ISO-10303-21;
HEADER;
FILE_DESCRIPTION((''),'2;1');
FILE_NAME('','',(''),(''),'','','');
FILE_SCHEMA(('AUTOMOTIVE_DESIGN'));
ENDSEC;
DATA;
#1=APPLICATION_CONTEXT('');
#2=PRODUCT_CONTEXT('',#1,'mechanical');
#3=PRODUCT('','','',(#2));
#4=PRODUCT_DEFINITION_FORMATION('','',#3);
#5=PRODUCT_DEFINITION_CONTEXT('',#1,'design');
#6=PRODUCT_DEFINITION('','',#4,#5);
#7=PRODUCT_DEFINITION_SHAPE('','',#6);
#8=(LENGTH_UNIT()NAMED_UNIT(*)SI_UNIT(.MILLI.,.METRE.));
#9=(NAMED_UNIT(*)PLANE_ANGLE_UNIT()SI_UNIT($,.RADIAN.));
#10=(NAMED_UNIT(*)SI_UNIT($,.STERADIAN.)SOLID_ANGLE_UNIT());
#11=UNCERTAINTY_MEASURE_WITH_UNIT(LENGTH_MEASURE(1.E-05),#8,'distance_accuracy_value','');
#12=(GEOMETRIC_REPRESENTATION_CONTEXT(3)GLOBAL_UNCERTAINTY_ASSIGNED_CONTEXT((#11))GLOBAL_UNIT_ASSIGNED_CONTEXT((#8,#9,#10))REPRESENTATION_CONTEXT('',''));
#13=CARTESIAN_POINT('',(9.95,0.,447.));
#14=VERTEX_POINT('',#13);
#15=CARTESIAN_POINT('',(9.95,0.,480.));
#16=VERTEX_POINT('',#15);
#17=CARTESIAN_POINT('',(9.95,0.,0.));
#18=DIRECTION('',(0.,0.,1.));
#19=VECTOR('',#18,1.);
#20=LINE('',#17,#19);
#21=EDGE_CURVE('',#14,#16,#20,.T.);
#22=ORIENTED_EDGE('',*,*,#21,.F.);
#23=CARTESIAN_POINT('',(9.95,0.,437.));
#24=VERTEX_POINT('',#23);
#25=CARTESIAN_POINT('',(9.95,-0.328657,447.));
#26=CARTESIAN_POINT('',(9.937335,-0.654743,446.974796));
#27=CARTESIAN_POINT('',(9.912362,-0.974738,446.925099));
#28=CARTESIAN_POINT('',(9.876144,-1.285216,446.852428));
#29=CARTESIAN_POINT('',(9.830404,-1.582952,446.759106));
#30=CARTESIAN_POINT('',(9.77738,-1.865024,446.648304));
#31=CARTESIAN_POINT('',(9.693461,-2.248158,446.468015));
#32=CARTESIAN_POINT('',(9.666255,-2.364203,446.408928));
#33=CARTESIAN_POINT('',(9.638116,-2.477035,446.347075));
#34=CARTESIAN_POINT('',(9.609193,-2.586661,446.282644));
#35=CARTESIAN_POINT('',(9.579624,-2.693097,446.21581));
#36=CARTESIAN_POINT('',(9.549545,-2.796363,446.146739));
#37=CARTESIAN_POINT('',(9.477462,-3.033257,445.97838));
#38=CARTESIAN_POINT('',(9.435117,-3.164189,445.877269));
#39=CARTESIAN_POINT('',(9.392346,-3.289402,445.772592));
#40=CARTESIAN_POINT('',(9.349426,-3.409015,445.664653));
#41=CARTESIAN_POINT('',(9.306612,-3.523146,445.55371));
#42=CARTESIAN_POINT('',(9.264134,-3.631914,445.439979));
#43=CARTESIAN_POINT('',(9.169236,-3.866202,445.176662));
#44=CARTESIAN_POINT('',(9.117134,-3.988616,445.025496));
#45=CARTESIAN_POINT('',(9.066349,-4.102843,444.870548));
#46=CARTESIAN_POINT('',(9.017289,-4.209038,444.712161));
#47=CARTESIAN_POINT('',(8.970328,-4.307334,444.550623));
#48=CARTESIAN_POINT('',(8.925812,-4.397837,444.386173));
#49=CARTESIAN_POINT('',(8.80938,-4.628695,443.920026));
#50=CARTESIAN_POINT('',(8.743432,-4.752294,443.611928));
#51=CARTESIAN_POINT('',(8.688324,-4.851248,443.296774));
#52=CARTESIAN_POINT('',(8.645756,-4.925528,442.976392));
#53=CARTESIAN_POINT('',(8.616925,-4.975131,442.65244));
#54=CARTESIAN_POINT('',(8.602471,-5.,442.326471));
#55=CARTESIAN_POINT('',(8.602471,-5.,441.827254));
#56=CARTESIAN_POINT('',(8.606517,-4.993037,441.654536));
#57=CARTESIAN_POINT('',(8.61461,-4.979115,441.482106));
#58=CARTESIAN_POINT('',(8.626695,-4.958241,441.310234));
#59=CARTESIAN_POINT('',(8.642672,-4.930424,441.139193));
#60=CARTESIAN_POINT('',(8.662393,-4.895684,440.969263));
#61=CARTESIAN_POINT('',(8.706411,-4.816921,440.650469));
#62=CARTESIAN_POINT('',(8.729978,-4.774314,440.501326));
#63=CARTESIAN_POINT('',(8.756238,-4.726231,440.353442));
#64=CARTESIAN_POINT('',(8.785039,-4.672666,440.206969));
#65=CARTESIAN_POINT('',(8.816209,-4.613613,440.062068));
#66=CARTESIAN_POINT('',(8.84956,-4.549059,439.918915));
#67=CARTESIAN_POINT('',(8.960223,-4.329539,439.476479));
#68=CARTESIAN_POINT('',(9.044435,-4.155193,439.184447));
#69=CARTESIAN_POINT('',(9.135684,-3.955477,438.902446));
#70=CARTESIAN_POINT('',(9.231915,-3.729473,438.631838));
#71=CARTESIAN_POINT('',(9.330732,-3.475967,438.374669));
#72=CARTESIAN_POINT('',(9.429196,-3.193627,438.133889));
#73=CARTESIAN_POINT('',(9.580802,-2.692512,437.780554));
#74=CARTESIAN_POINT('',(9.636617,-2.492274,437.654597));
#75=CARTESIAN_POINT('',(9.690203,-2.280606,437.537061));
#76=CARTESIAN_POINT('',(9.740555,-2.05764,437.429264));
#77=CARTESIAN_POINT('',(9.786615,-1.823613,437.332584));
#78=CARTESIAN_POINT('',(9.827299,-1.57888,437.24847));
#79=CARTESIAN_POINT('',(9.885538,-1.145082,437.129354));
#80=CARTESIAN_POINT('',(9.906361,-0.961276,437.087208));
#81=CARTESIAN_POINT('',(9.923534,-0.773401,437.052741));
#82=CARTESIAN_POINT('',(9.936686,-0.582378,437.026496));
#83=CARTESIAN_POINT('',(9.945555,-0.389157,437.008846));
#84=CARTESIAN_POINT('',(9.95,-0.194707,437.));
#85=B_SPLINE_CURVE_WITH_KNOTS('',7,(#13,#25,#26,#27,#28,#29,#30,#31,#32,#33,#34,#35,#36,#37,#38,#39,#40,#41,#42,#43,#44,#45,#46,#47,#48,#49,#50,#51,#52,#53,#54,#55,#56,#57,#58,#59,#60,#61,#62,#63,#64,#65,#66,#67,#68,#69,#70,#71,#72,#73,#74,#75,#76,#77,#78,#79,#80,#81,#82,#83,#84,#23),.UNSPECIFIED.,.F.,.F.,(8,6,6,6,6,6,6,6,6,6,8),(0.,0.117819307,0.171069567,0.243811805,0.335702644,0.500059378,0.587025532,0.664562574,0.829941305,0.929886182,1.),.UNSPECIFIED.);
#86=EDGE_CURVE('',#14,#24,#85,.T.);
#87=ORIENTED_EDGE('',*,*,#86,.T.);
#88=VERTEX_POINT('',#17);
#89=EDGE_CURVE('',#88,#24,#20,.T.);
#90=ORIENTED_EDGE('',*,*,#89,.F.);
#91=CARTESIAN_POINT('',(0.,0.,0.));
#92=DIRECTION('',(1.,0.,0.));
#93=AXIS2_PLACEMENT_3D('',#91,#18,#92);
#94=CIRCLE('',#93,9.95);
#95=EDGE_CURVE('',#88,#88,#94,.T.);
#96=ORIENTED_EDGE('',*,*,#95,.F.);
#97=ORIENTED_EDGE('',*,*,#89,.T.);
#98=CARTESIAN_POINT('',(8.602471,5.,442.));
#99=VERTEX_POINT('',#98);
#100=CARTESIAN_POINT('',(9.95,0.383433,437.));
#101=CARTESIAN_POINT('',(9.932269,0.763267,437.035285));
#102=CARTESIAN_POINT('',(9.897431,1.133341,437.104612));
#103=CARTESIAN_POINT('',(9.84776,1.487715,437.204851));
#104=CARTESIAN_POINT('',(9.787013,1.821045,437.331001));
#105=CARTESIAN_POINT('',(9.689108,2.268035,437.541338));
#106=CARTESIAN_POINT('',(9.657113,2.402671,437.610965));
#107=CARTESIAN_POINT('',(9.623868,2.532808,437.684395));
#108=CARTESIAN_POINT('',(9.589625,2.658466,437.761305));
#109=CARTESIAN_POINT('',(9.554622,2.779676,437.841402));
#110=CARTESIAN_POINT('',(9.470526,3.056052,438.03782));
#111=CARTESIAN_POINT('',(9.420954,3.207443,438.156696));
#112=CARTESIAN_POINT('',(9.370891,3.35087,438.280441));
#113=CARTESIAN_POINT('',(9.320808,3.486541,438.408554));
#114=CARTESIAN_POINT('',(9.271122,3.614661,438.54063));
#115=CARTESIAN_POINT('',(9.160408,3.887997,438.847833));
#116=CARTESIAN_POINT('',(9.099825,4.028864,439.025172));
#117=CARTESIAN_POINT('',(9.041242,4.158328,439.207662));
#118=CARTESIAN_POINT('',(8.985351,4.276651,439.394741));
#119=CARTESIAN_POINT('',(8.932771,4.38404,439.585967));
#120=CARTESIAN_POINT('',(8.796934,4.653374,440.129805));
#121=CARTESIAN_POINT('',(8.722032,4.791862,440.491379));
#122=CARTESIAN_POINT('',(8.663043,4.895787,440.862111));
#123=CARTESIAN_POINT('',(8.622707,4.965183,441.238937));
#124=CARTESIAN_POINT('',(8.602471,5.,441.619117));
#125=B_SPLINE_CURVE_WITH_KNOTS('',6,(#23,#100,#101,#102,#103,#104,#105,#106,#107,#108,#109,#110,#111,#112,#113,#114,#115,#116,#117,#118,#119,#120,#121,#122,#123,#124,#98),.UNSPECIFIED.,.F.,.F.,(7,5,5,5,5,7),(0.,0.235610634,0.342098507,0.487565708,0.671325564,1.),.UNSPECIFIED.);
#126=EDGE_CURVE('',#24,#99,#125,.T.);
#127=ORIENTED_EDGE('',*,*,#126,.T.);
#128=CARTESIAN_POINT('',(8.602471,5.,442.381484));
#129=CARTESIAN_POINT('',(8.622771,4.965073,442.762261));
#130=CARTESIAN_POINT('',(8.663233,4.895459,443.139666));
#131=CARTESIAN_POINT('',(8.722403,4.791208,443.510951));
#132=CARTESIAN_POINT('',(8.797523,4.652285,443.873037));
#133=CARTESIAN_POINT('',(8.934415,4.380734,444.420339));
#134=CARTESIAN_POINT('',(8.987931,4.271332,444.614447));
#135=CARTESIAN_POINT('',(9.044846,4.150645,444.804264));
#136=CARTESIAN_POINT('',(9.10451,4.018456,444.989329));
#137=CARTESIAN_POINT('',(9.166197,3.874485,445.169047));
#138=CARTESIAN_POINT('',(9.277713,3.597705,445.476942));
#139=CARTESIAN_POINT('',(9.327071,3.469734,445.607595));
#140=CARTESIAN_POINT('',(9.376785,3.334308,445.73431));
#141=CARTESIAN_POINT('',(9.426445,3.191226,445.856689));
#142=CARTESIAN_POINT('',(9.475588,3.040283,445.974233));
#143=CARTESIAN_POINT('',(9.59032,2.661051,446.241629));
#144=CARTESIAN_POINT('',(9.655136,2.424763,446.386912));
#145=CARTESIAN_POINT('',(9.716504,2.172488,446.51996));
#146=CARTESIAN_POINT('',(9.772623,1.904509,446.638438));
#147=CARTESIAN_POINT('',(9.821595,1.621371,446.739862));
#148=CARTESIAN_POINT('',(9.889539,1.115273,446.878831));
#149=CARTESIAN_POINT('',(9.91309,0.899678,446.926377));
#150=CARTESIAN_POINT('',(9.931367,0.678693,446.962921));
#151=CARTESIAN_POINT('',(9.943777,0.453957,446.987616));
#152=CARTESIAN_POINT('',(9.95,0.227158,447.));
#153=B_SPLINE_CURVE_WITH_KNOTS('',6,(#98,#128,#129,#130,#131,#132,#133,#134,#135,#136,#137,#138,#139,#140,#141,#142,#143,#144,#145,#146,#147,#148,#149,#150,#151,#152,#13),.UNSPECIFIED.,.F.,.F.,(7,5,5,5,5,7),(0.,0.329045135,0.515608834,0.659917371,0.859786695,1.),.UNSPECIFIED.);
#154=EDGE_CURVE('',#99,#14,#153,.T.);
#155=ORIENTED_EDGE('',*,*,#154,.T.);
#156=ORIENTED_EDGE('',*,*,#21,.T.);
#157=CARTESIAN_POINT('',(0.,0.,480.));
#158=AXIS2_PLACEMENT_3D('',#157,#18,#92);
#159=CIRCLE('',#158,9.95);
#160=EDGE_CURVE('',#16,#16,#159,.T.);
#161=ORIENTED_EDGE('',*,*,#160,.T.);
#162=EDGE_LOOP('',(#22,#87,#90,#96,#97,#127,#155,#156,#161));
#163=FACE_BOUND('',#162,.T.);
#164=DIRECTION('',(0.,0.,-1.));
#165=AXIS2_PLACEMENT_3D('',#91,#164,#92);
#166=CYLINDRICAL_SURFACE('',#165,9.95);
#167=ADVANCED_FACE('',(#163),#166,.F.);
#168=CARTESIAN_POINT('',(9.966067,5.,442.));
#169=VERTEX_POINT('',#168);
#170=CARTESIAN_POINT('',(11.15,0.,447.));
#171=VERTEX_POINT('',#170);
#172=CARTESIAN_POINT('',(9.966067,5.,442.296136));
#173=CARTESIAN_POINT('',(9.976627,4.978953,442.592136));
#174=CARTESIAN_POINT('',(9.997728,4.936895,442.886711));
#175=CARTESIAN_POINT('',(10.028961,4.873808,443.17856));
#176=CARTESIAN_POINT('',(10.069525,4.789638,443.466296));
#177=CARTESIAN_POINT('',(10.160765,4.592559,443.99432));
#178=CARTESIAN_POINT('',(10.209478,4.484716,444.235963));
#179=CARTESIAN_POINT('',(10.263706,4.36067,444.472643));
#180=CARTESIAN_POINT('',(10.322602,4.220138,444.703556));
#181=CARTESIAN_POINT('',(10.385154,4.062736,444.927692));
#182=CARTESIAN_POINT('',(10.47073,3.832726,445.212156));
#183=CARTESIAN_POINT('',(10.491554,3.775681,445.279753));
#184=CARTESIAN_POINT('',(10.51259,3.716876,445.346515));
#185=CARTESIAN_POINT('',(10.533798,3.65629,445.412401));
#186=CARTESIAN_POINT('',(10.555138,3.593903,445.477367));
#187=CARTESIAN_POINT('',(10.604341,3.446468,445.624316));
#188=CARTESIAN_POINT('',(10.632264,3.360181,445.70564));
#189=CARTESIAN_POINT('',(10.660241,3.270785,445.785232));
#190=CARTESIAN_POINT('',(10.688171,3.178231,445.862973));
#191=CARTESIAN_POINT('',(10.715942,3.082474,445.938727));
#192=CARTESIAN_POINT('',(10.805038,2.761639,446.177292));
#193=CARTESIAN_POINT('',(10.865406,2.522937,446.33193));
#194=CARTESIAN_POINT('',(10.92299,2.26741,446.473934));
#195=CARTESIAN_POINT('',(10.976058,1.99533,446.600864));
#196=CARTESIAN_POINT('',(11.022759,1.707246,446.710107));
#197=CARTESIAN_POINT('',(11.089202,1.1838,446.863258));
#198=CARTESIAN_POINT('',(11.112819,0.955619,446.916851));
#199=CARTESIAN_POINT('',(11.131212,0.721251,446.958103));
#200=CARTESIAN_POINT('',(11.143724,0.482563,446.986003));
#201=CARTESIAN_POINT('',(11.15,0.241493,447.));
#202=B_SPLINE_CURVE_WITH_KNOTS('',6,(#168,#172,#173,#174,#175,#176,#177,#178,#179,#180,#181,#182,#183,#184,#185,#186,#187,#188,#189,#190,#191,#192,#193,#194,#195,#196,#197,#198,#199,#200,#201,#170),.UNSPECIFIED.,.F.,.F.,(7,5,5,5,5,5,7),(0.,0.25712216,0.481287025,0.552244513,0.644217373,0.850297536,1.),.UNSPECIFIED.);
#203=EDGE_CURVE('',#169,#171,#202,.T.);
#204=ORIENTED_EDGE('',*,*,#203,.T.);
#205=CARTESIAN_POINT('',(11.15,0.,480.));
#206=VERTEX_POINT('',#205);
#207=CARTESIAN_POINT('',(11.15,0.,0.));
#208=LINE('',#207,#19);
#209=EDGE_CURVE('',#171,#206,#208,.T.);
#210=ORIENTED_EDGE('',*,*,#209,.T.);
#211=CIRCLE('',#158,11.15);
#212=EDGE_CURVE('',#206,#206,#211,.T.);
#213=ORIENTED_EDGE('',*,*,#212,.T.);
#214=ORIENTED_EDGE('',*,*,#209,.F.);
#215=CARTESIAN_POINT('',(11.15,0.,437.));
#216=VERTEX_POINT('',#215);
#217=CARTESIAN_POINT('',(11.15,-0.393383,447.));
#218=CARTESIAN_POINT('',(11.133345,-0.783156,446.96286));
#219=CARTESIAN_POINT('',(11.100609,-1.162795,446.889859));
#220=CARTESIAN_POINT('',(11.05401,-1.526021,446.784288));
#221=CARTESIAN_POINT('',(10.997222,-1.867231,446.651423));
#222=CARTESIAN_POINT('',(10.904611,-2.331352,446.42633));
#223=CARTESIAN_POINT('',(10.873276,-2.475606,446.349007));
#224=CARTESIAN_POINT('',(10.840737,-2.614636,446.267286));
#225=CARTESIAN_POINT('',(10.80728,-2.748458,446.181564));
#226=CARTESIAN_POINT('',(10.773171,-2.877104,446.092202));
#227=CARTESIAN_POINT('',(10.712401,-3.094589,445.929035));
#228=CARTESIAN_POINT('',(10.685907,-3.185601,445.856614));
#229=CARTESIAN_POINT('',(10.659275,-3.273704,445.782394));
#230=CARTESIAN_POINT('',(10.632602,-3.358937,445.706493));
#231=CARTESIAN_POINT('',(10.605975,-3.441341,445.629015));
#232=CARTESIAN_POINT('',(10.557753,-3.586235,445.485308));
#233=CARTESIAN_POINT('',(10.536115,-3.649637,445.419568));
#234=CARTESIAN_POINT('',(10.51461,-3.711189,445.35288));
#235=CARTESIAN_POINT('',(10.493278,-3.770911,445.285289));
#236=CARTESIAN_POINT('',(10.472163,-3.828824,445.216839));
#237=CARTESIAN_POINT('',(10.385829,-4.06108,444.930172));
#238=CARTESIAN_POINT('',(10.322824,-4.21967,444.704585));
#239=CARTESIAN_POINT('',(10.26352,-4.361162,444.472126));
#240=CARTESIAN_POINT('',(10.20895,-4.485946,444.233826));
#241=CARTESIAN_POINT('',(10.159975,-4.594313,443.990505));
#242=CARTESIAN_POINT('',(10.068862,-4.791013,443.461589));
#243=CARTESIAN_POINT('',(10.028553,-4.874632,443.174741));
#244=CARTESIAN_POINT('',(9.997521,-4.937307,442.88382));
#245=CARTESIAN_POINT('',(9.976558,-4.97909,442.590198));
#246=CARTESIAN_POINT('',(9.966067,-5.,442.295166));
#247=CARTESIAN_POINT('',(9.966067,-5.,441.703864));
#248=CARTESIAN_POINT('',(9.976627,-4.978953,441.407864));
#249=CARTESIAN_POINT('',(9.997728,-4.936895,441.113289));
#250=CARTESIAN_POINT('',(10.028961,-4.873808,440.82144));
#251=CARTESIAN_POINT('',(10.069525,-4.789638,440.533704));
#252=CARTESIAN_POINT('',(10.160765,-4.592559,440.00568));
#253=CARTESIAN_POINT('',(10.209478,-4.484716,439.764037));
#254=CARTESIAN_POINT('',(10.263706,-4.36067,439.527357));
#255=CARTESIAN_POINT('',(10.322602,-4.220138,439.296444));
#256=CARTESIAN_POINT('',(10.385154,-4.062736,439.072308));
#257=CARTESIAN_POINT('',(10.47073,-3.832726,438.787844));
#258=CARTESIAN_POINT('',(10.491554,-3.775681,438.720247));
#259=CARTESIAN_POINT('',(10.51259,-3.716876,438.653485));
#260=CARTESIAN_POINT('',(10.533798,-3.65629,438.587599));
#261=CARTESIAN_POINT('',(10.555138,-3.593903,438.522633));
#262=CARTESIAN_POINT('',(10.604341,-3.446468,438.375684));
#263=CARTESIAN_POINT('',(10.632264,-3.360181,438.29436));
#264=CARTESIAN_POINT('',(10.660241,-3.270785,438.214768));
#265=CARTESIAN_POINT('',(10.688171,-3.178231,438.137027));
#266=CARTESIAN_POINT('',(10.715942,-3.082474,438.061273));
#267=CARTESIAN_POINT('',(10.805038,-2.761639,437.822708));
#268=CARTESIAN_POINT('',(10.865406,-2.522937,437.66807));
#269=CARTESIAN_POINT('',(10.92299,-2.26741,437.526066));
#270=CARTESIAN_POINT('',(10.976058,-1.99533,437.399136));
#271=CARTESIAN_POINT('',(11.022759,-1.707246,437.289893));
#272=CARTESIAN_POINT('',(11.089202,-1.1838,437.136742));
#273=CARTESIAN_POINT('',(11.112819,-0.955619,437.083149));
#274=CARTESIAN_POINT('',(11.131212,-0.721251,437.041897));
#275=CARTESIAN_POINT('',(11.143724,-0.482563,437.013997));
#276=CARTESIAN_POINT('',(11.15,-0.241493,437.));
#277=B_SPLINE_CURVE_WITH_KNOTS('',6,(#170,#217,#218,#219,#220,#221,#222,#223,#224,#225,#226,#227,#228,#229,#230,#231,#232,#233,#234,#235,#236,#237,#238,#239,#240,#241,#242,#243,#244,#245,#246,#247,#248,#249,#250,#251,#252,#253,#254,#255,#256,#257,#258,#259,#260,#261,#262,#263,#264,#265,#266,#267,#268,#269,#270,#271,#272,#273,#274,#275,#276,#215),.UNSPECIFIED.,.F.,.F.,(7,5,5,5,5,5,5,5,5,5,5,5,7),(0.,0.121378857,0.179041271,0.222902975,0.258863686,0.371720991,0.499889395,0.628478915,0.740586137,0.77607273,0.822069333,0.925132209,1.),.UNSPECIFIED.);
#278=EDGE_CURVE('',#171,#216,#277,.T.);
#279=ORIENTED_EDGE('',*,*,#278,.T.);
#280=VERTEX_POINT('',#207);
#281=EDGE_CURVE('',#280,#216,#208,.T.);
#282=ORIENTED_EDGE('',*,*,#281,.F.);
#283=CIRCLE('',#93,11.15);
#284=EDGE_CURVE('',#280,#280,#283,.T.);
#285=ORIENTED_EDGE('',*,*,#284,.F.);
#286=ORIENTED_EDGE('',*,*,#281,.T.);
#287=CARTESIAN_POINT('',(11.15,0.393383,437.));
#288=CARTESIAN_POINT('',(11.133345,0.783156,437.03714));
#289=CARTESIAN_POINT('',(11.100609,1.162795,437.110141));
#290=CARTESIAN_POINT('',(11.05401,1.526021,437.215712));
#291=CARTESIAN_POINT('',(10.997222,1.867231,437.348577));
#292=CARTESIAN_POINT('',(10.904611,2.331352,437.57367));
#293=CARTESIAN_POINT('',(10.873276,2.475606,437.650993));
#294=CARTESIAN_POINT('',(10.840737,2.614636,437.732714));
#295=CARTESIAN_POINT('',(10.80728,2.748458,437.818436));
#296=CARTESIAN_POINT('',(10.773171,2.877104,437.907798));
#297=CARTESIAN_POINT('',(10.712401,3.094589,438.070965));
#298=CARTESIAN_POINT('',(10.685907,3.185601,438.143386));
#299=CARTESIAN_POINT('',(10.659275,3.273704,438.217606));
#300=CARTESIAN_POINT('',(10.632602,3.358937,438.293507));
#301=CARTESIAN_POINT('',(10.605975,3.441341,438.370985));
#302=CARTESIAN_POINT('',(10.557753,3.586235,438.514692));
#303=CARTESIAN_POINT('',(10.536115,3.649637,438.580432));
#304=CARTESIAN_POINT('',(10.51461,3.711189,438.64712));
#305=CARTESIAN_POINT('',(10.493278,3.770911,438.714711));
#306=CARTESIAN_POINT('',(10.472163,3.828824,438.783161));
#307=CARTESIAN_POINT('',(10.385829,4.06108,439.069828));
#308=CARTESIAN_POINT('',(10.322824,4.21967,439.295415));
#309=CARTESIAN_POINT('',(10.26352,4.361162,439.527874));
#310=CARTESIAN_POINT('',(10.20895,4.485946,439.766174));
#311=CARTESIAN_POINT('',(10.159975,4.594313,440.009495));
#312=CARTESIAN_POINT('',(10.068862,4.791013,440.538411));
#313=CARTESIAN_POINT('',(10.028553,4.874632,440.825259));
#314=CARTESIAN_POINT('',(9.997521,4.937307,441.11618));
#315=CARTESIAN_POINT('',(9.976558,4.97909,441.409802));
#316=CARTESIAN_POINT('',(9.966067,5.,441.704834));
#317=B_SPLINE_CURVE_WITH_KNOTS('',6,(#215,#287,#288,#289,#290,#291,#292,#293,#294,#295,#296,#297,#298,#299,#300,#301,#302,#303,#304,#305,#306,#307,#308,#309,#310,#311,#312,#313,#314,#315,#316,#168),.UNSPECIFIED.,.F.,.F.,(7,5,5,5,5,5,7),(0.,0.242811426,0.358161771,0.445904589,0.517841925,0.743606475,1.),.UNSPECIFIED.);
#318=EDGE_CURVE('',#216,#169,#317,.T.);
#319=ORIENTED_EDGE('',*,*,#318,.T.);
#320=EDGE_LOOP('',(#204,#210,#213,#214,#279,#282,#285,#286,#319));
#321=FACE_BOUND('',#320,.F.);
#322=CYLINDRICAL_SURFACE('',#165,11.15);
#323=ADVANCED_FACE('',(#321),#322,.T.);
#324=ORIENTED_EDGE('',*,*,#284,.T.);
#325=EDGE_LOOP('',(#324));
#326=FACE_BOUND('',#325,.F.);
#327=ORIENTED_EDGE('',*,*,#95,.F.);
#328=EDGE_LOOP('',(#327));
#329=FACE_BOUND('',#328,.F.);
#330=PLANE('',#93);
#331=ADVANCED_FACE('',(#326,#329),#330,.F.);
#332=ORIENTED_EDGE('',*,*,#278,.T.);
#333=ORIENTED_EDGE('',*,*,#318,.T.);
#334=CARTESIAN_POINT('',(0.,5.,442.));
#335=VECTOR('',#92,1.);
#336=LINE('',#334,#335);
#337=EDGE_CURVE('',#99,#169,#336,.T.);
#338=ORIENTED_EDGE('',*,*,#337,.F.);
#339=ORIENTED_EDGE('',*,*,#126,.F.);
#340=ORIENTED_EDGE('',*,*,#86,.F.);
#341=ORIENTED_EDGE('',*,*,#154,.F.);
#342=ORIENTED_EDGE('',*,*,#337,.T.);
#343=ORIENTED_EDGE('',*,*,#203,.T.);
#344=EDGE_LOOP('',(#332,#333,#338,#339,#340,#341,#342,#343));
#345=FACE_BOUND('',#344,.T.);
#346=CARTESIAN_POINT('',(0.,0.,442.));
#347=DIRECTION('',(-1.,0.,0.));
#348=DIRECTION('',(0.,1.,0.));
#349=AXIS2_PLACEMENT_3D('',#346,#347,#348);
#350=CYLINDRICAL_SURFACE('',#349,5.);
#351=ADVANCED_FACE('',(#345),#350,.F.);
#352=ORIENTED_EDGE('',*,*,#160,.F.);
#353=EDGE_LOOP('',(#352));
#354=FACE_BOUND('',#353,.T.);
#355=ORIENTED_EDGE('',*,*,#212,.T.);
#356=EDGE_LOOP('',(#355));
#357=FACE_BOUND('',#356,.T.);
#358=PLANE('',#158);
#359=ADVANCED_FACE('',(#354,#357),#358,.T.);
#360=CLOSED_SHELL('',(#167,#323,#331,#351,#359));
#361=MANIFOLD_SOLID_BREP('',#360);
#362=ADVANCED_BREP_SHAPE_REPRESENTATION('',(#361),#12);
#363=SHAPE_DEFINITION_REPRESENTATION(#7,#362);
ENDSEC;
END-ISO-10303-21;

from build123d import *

# Parameters (mm, degrees)
F0_R     = 11.15
F0_R_2   = 9.95
F1_DEPTH = 480
F2_R     = 5
F3_DEPTH = 11.151


with BuildPart() as f1:
    # F0 (on Top) → F1 (new body)
    with BuildSketch(Plane.XY):
        Circle(F0_R)
        Circle(F0_R_2, mode=Mode.SUBTRACT)
    extrude(amount=F1_DEPTH)

    # F2 (on Right) → F3 (cut, through all)
    with BuildSketch(Plane.YZ):
        with Locations((0, 442)):
            Circle(F2_R)
    extrude(amount=F3_DEPTH, mode=Mode.SUBTRACT)


solid = f1.part
